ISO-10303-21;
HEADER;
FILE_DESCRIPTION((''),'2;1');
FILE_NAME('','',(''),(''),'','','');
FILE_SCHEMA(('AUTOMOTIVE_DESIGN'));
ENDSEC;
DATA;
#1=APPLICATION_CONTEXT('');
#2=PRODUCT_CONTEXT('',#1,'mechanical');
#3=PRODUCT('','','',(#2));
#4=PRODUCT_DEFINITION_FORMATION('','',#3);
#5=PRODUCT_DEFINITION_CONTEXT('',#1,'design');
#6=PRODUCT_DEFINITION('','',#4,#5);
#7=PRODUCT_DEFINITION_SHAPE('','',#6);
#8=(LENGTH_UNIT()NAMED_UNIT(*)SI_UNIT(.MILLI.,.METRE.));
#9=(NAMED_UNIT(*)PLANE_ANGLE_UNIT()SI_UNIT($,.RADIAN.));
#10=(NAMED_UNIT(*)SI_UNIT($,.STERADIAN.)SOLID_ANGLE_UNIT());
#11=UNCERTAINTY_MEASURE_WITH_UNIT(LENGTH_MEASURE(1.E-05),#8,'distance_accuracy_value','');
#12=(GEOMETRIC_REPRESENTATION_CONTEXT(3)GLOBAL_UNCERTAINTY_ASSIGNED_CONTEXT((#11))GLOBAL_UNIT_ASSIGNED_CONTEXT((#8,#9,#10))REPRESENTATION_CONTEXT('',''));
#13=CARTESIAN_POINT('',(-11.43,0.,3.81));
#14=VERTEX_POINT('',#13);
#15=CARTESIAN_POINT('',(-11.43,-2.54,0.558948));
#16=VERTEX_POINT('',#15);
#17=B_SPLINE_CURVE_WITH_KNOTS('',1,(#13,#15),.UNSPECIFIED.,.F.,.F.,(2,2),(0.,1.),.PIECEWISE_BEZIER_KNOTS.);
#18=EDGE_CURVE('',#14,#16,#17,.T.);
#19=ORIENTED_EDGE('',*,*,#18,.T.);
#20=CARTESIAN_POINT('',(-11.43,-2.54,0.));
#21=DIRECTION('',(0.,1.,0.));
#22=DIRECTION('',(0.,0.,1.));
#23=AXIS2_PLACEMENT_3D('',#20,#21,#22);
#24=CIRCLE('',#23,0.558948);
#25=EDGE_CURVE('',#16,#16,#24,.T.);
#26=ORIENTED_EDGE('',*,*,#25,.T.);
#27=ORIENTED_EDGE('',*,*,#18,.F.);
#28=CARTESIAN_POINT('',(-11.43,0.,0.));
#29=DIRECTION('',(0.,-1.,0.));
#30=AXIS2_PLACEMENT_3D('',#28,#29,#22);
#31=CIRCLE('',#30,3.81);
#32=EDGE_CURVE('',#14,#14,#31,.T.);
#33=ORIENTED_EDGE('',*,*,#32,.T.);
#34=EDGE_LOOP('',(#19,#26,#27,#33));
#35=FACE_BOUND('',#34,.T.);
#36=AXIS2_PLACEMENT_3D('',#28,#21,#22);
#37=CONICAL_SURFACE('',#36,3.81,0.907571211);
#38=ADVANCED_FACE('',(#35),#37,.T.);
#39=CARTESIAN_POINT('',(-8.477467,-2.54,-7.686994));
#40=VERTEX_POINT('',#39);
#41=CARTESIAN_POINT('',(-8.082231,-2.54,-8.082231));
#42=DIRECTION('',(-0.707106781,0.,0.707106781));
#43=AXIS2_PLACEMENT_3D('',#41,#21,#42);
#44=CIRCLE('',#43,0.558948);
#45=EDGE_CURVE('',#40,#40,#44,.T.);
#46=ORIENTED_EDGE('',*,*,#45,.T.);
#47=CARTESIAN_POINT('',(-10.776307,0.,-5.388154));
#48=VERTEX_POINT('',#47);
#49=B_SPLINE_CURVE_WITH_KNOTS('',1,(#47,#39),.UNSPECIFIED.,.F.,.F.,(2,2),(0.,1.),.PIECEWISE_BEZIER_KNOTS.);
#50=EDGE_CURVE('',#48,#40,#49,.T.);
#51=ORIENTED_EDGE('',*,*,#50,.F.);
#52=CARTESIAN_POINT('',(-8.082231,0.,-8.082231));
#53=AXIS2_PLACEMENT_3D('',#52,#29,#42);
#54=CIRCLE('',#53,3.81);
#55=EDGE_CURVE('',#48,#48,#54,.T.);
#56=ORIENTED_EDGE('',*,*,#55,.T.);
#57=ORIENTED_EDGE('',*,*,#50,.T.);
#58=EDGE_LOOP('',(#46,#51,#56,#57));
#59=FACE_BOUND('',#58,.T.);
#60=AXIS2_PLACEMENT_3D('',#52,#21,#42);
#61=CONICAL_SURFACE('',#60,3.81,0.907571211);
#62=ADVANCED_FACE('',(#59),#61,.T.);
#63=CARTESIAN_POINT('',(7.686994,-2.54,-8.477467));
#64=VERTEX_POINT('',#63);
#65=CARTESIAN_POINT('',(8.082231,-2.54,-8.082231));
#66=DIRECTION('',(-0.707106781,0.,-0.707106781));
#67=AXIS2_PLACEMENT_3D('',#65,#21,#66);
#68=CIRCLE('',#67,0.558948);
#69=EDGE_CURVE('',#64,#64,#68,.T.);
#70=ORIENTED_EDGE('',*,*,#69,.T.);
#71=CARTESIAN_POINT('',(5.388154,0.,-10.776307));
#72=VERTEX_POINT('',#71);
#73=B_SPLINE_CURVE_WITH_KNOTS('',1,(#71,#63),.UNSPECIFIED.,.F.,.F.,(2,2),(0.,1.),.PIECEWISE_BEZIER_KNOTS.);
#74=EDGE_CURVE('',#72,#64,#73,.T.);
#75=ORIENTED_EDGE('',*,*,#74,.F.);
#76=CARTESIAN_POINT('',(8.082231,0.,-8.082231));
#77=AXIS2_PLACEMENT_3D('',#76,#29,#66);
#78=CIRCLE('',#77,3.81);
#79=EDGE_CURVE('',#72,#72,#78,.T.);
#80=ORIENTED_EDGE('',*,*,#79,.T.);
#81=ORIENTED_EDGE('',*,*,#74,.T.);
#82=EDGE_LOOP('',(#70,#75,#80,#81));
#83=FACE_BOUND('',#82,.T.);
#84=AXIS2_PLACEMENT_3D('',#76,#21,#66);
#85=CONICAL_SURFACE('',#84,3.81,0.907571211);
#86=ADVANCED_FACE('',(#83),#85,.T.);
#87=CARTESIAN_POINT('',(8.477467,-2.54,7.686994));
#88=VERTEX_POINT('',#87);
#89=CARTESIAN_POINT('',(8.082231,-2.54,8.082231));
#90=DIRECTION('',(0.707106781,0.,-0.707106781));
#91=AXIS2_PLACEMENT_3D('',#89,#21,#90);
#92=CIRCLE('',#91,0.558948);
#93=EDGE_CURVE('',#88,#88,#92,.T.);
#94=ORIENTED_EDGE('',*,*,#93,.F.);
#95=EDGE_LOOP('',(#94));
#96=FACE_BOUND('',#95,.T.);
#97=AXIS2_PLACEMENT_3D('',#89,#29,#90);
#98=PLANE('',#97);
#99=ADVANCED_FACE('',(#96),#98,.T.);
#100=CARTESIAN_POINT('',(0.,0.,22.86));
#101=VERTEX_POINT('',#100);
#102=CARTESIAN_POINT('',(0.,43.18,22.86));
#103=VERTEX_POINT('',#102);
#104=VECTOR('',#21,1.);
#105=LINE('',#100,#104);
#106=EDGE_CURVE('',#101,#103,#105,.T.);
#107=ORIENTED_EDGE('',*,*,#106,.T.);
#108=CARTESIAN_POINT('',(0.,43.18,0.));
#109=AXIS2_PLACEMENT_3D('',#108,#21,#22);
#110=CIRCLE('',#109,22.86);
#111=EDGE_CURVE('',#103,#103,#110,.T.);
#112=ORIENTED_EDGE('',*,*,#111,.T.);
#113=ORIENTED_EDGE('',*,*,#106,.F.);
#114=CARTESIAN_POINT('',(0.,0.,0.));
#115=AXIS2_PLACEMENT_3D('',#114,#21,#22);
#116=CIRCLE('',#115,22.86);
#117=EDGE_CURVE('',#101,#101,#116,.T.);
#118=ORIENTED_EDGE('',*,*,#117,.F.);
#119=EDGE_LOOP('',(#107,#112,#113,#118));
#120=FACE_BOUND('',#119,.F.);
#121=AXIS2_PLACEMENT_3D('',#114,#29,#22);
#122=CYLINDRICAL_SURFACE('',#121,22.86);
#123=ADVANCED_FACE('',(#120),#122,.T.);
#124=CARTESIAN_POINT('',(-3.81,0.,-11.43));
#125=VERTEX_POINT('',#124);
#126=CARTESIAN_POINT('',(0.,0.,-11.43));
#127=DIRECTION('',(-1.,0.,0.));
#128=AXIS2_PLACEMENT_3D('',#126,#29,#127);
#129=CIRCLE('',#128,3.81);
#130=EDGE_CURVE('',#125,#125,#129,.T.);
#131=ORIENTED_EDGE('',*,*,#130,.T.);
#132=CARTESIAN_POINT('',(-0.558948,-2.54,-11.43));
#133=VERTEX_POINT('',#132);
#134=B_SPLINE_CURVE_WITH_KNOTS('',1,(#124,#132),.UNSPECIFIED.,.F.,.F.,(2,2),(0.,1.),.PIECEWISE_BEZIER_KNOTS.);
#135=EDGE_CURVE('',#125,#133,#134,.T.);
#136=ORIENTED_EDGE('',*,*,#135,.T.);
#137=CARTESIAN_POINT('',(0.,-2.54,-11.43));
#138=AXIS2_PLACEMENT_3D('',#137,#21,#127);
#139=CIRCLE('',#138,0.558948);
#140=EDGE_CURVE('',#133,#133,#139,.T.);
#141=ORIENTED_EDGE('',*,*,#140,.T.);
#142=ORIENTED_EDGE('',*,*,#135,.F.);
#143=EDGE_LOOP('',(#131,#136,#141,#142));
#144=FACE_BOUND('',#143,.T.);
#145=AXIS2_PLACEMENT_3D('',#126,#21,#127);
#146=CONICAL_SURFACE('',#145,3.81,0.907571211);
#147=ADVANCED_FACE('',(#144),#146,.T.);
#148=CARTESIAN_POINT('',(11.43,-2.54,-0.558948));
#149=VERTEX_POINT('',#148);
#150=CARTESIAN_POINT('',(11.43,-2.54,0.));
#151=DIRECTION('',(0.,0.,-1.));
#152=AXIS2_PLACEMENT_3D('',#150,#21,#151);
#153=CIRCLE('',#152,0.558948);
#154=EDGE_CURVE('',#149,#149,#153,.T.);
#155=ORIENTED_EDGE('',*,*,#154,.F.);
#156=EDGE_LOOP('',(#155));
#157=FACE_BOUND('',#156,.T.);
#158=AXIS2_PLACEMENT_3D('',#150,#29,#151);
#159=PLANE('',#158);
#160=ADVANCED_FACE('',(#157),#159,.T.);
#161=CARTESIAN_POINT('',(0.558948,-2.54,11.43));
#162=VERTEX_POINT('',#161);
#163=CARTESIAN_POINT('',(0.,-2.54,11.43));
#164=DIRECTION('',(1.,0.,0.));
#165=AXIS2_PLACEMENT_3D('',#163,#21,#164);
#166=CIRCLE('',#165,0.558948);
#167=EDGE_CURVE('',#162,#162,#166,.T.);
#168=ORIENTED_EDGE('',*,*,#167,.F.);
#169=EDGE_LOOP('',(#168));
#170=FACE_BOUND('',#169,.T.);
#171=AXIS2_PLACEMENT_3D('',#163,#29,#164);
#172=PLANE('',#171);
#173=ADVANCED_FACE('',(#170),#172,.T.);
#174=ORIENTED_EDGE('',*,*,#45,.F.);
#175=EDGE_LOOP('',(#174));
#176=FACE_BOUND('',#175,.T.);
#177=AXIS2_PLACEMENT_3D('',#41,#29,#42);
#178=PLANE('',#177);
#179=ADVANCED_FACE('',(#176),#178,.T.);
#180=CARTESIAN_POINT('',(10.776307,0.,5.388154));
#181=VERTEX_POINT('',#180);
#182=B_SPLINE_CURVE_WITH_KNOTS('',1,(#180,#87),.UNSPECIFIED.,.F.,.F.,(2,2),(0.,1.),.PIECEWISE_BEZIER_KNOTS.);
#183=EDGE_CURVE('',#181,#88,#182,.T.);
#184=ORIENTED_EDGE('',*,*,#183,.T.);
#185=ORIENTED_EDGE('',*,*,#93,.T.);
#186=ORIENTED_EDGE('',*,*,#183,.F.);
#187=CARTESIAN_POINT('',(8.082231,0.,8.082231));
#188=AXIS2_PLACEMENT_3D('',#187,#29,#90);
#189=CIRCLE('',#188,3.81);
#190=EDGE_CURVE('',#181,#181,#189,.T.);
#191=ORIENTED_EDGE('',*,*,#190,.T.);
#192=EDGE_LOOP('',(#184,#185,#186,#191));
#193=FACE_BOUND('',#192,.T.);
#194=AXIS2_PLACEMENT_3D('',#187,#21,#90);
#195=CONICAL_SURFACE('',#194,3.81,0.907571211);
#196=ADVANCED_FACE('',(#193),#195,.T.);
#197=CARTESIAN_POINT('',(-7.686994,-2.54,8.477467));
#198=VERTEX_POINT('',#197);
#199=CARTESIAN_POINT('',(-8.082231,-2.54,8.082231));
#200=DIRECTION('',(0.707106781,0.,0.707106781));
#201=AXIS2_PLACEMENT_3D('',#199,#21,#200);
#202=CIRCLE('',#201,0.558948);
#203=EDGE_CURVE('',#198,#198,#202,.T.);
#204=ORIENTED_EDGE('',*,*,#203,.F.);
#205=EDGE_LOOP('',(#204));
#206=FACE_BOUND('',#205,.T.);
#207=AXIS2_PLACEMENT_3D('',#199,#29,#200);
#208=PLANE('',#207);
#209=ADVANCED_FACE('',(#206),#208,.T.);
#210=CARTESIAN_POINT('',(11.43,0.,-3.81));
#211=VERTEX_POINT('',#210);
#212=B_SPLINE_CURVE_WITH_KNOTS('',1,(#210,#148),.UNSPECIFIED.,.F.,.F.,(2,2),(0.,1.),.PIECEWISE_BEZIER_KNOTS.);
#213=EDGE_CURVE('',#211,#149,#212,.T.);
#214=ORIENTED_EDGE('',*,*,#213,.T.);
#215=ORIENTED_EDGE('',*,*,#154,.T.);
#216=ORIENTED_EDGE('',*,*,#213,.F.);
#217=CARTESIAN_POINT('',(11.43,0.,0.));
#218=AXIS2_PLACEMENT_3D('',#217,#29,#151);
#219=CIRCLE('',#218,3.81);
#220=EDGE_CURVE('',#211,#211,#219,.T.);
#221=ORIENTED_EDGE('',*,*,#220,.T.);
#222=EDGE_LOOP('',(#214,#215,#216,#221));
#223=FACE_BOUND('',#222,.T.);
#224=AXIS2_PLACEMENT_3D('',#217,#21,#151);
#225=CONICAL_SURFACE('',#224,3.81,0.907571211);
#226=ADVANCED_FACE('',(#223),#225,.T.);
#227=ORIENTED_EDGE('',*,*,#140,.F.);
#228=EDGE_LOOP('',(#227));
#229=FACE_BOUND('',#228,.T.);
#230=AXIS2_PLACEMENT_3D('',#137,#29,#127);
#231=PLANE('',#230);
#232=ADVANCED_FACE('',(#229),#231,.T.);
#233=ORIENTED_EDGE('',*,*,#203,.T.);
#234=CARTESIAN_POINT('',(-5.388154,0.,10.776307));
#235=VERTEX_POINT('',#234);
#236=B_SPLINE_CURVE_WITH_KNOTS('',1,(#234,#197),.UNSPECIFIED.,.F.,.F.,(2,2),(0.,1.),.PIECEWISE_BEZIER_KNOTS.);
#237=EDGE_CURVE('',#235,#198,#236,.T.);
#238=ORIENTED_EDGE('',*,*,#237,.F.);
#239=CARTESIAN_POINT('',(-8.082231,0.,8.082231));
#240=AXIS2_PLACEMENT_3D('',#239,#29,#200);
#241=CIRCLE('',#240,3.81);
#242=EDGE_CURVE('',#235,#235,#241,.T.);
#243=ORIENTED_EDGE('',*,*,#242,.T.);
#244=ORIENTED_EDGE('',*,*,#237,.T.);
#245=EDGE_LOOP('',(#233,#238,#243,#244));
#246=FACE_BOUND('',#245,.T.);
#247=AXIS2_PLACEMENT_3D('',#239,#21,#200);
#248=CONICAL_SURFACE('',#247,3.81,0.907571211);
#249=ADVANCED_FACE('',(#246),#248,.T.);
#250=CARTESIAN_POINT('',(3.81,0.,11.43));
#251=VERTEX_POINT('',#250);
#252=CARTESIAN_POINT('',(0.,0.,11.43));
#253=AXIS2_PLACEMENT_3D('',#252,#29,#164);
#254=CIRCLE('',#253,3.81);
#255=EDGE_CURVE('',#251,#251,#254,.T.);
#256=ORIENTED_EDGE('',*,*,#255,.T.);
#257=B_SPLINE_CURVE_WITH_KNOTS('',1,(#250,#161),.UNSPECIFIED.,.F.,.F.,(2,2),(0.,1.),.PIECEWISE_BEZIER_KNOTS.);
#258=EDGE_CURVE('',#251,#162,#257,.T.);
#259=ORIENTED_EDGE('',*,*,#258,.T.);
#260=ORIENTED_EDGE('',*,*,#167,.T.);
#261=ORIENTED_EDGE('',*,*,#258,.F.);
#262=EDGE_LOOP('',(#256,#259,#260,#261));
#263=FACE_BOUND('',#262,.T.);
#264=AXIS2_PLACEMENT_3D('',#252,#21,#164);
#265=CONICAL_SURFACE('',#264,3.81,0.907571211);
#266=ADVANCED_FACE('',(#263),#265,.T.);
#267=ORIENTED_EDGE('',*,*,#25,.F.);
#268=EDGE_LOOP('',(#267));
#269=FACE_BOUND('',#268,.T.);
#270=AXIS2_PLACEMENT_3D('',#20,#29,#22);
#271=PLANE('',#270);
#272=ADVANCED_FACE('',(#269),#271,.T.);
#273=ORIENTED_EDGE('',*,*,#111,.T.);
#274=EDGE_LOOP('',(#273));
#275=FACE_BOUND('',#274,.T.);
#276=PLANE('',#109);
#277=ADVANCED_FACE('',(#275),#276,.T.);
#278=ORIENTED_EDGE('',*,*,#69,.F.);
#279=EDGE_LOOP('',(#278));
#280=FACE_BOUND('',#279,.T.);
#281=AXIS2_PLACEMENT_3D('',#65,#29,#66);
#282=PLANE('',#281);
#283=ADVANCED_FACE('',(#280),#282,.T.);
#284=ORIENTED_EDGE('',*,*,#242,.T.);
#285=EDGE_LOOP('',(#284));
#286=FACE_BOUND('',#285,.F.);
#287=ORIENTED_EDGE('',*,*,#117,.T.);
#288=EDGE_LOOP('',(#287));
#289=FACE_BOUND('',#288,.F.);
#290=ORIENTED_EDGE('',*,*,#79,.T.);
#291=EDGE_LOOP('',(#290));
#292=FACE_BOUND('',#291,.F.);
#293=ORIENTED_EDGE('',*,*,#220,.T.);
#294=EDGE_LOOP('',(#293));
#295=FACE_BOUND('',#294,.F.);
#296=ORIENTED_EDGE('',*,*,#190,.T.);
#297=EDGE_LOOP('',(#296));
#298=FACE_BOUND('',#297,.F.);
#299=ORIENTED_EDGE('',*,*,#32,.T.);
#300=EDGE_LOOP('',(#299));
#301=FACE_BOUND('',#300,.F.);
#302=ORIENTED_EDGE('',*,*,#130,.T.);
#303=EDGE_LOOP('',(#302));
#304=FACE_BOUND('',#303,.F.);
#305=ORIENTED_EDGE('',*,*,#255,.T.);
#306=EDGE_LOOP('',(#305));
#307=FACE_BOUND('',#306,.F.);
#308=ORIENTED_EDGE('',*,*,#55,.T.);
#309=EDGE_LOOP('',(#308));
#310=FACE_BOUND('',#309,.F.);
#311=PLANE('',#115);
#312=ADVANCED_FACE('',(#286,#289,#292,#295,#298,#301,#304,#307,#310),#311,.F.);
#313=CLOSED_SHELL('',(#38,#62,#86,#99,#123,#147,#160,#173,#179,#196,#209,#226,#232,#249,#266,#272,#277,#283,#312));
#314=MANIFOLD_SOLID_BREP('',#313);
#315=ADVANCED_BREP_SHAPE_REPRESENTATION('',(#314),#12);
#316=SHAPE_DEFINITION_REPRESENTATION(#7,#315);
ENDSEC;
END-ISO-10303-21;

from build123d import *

# Parameters (mm, degrees)
SKETCH1_R           = 22.86
BOSS_EXTRUDE1_DEPTH = 43.18
SKETCH3_R           = 3.81
BOSS_EXTRUDE2_DEPTH = 2.54
BOSS_EXTRUDE2_TAPER = 52
CIRPATTERN1_COUNT   = 8


with BuildPart() as part:
    # Sketch1 → Boss-Extrude1 (new body)
    with BuildSketch(Plane(origin=(0, 0, 0), x_dir=(1, 0, 0), z_dir=(0, 1, 0))):
        Circle(SKETCH1_R)
    extrude(amount=BOSS_EXTRUDE1_DEPTH)

    # Sketch3 → Boss-Extrude2 (add)
    with BuildSketch(Plane(origin=(0, 0, 0), x_dir=(-1, 0, 0), z_dir=(0, -1, 0))):
        with Locations((0, 11.43)):
            Circle(SKETCH3_R)
    boss_extrude2 = extrude(amount=BOSS_EXTRUDE2_DEPTH, taper=BOSS_EXTRUDE2_TAPER)

    # CirPattern1: Boss-Extrude2 ×8 about axis
    cirpattern1_axis = Axis((0, 43.18, 0), (0, -1, 0))
    for i in range(1, CIRPATTERN1_COUNT):
        add(boss_extrude2.rotate(cirpattern1_axis, i * 360 / CIRPATTERN1_COUNT))


solid = part.part
